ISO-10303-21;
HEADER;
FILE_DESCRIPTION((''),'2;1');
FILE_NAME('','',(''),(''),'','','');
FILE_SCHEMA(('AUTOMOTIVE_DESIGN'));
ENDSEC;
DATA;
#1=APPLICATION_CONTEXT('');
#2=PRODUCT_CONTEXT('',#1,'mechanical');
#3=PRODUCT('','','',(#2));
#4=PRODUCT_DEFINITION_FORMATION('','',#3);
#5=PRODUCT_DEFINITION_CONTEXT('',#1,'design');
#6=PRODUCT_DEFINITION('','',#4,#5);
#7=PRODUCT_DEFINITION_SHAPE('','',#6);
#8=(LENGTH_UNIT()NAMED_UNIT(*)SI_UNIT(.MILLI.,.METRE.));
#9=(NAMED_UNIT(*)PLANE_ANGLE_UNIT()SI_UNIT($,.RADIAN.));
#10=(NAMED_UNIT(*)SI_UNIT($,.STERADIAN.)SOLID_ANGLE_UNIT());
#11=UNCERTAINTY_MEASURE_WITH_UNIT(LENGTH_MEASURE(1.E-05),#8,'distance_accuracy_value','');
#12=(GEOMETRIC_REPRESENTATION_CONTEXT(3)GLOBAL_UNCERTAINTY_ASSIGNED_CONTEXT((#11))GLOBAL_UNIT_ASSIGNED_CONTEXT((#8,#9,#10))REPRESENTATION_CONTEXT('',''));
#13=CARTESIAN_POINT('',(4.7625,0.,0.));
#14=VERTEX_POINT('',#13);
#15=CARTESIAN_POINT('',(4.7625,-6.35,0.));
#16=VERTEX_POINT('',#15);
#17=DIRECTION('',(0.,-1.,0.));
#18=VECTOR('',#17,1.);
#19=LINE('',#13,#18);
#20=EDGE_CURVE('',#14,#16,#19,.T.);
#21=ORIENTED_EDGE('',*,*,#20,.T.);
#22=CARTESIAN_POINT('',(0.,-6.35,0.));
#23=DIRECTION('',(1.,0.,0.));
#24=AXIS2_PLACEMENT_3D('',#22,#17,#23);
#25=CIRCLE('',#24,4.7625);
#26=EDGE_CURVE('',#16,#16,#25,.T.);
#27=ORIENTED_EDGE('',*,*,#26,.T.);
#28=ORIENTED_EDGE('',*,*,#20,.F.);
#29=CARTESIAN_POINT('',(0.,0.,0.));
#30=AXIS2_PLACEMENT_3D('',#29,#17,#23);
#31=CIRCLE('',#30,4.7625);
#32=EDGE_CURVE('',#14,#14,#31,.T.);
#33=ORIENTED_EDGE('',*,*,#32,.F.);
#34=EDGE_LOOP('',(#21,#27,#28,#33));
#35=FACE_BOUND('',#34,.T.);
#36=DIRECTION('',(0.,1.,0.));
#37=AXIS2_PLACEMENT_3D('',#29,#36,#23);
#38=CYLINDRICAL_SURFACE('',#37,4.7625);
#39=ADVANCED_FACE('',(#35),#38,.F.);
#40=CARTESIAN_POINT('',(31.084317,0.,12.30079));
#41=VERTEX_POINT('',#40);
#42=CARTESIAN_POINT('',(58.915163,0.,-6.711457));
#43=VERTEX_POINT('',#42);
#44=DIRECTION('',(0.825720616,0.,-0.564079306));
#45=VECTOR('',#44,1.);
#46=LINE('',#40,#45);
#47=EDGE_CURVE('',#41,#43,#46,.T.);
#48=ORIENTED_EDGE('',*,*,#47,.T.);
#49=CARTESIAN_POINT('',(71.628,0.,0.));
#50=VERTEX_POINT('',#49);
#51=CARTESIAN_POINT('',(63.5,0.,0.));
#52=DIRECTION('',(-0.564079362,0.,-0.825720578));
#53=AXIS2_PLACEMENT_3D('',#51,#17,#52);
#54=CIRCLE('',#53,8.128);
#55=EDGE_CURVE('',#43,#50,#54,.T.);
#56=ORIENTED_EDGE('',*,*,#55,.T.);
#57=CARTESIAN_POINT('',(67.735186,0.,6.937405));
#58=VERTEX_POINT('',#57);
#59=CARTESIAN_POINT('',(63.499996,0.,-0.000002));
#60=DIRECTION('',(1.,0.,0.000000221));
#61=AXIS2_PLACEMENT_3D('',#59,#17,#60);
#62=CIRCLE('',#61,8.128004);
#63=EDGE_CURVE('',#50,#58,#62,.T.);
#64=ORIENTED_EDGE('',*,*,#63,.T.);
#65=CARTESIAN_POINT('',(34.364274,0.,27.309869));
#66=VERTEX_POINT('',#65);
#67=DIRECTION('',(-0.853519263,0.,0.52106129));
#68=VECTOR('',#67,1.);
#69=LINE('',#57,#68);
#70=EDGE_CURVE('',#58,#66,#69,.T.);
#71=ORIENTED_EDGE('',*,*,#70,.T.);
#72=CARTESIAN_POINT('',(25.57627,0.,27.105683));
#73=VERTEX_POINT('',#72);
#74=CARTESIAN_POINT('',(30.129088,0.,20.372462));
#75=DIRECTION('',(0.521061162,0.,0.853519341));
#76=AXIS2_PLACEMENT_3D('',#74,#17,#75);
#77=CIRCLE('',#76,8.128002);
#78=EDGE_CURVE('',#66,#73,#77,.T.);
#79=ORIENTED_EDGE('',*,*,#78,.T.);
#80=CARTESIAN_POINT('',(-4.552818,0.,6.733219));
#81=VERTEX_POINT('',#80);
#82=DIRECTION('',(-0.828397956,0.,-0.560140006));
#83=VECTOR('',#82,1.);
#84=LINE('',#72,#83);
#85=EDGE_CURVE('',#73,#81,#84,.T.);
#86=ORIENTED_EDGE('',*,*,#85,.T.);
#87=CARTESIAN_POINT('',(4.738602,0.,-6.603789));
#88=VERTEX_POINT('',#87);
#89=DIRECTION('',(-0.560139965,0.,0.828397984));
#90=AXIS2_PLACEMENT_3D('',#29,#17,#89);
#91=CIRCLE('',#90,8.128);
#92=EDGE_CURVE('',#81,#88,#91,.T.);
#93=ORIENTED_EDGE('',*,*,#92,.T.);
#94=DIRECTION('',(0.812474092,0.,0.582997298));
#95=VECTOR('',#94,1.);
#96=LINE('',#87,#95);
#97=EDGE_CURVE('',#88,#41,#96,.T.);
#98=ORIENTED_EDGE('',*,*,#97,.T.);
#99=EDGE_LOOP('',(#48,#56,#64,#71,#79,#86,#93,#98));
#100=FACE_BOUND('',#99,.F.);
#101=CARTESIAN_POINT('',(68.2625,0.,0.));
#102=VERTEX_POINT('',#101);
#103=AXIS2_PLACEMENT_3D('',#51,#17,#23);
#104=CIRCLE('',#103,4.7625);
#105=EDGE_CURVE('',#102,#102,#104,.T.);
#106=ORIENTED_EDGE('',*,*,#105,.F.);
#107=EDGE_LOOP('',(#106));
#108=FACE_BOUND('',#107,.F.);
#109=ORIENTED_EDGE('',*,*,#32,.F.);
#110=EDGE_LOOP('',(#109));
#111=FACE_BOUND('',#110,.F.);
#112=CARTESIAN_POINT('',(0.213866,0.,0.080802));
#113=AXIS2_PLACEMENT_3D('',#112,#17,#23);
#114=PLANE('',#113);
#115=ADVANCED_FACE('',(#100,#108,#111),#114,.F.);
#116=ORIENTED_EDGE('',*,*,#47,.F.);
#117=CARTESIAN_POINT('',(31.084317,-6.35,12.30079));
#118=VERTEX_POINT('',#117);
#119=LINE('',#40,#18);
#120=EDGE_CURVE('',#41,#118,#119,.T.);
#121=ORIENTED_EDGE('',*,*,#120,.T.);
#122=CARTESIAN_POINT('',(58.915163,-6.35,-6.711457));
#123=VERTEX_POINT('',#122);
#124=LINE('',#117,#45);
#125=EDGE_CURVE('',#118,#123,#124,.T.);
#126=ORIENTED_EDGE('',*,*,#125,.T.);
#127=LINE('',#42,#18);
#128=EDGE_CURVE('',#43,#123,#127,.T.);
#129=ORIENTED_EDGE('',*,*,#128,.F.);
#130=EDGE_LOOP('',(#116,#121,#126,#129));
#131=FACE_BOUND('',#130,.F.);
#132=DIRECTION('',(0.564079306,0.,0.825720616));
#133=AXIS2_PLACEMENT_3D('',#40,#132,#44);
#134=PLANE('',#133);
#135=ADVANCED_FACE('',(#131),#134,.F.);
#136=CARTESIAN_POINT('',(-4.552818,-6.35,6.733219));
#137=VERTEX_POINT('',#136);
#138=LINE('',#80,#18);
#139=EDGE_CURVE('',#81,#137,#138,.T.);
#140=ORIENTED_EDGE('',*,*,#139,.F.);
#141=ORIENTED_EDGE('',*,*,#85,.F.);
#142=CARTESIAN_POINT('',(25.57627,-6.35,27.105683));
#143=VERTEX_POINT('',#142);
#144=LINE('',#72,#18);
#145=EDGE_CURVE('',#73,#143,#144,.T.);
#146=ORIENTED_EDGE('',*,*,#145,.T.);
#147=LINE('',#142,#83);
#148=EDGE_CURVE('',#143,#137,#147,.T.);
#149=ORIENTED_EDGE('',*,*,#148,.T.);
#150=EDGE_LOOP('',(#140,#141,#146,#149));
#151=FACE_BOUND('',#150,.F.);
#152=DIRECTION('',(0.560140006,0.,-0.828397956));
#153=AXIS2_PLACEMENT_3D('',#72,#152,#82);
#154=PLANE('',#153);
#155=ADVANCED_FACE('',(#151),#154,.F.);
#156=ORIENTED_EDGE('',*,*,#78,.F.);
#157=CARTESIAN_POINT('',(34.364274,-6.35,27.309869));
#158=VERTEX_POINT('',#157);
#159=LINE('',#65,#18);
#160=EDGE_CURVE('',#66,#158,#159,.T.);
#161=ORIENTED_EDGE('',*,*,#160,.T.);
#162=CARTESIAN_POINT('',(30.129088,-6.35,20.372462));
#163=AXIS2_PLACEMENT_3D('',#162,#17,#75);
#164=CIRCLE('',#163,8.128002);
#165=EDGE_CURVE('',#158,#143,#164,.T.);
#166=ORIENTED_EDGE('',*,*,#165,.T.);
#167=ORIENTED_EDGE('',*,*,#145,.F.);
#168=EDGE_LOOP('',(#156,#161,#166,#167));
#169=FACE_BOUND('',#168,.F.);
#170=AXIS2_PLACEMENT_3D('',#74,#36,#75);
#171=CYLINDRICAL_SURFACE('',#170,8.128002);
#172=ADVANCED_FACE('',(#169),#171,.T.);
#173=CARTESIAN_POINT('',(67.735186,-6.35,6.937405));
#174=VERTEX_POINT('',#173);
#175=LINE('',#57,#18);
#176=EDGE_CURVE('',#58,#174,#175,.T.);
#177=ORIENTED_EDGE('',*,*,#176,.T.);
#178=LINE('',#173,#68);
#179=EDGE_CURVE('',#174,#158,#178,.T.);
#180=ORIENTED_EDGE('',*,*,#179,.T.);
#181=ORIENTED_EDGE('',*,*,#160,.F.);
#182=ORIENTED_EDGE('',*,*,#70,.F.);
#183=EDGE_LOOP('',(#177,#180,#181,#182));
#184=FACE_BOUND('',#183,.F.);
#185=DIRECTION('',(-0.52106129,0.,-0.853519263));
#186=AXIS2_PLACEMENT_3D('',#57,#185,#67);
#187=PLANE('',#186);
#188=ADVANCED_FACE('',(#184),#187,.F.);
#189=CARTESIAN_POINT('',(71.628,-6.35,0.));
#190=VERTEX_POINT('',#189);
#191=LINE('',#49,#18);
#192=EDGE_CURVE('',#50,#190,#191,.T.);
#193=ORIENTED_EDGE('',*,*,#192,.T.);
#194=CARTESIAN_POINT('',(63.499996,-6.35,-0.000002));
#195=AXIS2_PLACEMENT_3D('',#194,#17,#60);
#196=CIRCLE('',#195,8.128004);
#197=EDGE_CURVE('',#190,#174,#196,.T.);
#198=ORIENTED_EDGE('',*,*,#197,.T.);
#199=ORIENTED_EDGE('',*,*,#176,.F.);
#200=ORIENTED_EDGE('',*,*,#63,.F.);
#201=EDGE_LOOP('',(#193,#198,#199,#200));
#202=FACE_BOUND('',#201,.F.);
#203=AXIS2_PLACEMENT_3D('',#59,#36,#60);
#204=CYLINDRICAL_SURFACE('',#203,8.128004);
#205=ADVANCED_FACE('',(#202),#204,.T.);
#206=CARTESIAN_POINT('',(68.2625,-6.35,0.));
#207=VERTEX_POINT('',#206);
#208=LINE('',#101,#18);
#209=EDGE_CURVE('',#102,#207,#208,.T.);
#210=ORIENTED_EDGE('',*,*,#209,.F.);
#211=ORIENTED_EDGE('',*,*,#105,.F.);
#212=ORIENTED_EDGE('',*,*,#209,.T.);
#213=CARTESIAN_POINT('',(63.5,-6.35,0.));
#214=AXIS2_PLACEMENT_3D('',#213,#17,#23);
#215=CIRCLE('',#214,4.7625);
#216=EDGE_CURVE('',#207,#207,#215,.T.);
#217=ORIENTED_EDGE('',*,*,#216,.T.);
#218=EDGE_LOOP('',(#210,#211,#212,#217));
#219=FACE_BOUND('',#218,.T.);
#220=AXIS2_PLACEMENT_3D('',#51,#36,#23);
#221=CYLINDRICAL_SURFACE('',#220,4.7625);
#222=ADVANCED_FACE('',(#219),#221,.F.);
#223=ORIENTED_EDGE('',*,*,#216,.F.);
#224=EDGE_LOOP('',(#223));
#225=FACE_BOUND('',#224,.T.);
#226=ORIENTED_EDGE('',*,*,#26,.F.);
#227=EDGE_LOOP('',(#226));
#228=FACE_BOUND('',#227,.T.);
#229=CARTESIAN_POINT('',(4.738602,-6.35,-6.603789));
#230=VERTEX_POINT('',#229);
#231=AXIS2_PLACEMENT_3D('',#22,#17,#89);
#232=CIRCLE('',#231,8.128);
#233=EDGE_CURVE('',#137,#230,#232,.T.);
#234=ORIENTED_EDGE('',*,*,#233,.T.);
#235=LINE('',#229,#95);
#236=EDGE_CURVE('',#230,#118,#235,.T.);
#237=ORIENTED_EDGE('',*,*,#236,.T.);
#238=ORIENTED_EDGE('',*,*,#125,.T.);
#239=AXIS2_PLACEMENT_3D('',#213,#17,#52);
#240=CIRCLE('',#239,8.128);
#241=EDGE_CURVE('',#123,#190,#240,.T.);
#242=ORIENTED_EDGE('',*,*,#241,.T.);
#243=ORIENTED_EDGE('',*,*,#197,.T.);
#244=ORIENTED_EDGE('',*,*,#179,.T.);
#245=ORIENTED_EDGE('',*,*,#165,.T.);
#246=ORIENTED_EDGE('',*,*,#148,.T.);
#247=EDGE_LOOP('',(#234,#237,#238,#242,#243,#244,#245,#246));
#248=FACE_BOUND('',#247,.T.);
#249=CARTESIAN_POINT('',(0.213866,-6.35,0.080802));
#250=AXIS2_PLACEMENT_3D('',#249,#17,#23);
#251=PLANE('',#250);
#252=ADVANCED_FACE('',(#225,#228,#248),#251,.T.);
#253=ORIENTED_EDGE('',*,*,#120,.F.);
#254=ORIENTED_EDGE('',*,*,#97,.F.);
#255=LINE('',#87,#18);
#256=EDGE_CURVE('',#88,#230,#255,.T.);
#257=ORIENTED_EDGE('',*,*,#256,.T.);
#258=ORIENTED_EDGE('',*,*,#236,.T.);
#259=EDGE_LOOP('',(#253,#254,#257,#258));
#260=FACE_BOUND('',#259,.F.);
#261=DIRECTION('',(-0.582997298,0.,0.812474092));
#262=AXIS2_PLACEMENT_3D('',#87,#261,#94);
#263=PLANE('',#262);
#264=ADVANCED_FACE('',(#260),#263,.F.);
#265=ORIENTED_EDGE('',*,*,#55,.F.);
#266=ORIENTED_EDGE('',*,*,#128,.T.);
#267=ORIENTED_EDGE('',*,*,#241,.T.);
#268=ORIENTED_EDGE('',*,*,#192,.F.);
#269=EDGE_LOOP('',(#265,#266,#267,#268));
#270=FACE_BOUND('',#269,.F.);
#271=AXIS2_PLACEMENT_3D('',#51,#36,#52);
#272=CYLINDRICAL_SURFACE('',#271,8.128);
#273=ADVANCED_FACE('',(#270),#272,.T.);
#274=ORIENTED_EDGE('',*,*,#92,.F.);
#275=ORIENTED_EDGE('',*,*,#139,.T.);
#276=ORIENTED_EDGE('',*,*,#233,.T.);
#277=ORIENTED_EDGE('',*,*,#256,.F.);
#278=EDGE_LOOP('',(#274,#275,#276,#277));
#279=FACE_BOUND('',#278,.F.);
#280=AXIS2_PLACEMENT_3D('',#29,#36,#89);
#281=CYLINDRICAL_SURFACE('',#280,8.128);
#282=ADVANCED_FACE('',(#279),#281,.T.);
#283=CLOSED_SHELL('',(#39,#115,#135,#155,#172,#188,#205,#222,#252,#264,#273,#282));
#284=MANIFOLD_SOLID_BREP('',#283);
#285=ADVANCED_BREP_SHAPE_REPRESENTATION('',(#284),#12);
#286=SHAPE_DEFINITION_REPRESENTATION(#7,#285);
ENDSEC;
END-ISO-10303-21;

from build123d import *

# Parameters (mm, degrees)
F0_R     = 4.7625
F1_DEPTH = 6.35


with BuildPart() as f1:
    # F0 (on Front) → F1 (new body)
    with BuildSketch(Plane.XZ):
        with BuildLine():
            ThreePointArc((4.738602, -6.603789), (7.231174, -3.711403), (8.128, 0))
            ThreePointArc((8.128, 0), (3.811763, 7.178777), (-4.552818, 6.733219))
            ThreePointArc((-4.552818, 6.733219), (-6.669151, -4.646161), (4.738602, -6.603789))
        make_face()
        Circle(F0_R, mode=Mode.SUBTRACT)
        with BuildLine():
            ThreePointArc((-4.552818, 6.733219), (3.811763, 7.178777), (8.128, 0))
            ThreePointArc((8.128, 0), (7.231174, -3.711403), (4.738602, -6.603789))
            Line((4.738602, -6.603789), (31.084317, 12.30079))
            ThreePointArc((31.084317, 12.30079), (22.511223, 17.538296), (25.57627, 27.105683))
            Line((25.57627, 27.105683), (-4.552818, 6.733219))
        make_face()
        with BuildLine():
            ThreePointArc((34.364274, 27.309869), (29.940288, 28.498271), (25.57627, 27.105683))
            ThreePointArc((25.57627, 27.105683), (22.511223, 17.538296), (31.084317, 12.30079))
            ThreePointArc((31.084317, 12.30079), (36.204797, 14.973377), (38.257088, 20.372464))
            ThreePointArc((38.257088, 20.372464), (37.217387, 24.34995), (34.364274, 27.309869))
        make_face()
        with Locations((30.129088, 20.372464)):
            Circle(F0_R, mode=Mode.SUBTRACT)
        with Locations((30.129088, 20.372464)):
            Circle(F0_R)
        with BuildLine():
            ThreePointArc((38.257088, 20.372464), (36.204797, 14.973377), (31.084317, 12.30079))
            Line((31.084317, 12.30079), (58.915163, -6.711457))
            ThreePointArc((58.915163, -6.711457), (56.67333, 4.411458), (67.735186, 6.937405))
            Line((67.735186, 6.937405), (34.364274, 27.309869))
            ThreePointArc((34.364274, 27.309869), (37.217387, 24.34995), (38.257088, 20.372464))
        make_face()
        with BuildLine():
            ThreePointArc((67.735186, 6.937405), (56.67333, 4.411458), (58.915163, -6.711457))
            ThreePointArc((58.915163, -6.711457), (67.294656, -7.187835), (71.628, 0))
            ThreePointArc((71.628, 0), (70.588299, 3.977486), (67.735186, 6.937405))
        make_face()
        with Locations((63.5, 0)):
            Circle(F0_R, mode=Mode.SUBTRACT)
    extrude(amount=F1_DEPTH)


solid = f1.part
